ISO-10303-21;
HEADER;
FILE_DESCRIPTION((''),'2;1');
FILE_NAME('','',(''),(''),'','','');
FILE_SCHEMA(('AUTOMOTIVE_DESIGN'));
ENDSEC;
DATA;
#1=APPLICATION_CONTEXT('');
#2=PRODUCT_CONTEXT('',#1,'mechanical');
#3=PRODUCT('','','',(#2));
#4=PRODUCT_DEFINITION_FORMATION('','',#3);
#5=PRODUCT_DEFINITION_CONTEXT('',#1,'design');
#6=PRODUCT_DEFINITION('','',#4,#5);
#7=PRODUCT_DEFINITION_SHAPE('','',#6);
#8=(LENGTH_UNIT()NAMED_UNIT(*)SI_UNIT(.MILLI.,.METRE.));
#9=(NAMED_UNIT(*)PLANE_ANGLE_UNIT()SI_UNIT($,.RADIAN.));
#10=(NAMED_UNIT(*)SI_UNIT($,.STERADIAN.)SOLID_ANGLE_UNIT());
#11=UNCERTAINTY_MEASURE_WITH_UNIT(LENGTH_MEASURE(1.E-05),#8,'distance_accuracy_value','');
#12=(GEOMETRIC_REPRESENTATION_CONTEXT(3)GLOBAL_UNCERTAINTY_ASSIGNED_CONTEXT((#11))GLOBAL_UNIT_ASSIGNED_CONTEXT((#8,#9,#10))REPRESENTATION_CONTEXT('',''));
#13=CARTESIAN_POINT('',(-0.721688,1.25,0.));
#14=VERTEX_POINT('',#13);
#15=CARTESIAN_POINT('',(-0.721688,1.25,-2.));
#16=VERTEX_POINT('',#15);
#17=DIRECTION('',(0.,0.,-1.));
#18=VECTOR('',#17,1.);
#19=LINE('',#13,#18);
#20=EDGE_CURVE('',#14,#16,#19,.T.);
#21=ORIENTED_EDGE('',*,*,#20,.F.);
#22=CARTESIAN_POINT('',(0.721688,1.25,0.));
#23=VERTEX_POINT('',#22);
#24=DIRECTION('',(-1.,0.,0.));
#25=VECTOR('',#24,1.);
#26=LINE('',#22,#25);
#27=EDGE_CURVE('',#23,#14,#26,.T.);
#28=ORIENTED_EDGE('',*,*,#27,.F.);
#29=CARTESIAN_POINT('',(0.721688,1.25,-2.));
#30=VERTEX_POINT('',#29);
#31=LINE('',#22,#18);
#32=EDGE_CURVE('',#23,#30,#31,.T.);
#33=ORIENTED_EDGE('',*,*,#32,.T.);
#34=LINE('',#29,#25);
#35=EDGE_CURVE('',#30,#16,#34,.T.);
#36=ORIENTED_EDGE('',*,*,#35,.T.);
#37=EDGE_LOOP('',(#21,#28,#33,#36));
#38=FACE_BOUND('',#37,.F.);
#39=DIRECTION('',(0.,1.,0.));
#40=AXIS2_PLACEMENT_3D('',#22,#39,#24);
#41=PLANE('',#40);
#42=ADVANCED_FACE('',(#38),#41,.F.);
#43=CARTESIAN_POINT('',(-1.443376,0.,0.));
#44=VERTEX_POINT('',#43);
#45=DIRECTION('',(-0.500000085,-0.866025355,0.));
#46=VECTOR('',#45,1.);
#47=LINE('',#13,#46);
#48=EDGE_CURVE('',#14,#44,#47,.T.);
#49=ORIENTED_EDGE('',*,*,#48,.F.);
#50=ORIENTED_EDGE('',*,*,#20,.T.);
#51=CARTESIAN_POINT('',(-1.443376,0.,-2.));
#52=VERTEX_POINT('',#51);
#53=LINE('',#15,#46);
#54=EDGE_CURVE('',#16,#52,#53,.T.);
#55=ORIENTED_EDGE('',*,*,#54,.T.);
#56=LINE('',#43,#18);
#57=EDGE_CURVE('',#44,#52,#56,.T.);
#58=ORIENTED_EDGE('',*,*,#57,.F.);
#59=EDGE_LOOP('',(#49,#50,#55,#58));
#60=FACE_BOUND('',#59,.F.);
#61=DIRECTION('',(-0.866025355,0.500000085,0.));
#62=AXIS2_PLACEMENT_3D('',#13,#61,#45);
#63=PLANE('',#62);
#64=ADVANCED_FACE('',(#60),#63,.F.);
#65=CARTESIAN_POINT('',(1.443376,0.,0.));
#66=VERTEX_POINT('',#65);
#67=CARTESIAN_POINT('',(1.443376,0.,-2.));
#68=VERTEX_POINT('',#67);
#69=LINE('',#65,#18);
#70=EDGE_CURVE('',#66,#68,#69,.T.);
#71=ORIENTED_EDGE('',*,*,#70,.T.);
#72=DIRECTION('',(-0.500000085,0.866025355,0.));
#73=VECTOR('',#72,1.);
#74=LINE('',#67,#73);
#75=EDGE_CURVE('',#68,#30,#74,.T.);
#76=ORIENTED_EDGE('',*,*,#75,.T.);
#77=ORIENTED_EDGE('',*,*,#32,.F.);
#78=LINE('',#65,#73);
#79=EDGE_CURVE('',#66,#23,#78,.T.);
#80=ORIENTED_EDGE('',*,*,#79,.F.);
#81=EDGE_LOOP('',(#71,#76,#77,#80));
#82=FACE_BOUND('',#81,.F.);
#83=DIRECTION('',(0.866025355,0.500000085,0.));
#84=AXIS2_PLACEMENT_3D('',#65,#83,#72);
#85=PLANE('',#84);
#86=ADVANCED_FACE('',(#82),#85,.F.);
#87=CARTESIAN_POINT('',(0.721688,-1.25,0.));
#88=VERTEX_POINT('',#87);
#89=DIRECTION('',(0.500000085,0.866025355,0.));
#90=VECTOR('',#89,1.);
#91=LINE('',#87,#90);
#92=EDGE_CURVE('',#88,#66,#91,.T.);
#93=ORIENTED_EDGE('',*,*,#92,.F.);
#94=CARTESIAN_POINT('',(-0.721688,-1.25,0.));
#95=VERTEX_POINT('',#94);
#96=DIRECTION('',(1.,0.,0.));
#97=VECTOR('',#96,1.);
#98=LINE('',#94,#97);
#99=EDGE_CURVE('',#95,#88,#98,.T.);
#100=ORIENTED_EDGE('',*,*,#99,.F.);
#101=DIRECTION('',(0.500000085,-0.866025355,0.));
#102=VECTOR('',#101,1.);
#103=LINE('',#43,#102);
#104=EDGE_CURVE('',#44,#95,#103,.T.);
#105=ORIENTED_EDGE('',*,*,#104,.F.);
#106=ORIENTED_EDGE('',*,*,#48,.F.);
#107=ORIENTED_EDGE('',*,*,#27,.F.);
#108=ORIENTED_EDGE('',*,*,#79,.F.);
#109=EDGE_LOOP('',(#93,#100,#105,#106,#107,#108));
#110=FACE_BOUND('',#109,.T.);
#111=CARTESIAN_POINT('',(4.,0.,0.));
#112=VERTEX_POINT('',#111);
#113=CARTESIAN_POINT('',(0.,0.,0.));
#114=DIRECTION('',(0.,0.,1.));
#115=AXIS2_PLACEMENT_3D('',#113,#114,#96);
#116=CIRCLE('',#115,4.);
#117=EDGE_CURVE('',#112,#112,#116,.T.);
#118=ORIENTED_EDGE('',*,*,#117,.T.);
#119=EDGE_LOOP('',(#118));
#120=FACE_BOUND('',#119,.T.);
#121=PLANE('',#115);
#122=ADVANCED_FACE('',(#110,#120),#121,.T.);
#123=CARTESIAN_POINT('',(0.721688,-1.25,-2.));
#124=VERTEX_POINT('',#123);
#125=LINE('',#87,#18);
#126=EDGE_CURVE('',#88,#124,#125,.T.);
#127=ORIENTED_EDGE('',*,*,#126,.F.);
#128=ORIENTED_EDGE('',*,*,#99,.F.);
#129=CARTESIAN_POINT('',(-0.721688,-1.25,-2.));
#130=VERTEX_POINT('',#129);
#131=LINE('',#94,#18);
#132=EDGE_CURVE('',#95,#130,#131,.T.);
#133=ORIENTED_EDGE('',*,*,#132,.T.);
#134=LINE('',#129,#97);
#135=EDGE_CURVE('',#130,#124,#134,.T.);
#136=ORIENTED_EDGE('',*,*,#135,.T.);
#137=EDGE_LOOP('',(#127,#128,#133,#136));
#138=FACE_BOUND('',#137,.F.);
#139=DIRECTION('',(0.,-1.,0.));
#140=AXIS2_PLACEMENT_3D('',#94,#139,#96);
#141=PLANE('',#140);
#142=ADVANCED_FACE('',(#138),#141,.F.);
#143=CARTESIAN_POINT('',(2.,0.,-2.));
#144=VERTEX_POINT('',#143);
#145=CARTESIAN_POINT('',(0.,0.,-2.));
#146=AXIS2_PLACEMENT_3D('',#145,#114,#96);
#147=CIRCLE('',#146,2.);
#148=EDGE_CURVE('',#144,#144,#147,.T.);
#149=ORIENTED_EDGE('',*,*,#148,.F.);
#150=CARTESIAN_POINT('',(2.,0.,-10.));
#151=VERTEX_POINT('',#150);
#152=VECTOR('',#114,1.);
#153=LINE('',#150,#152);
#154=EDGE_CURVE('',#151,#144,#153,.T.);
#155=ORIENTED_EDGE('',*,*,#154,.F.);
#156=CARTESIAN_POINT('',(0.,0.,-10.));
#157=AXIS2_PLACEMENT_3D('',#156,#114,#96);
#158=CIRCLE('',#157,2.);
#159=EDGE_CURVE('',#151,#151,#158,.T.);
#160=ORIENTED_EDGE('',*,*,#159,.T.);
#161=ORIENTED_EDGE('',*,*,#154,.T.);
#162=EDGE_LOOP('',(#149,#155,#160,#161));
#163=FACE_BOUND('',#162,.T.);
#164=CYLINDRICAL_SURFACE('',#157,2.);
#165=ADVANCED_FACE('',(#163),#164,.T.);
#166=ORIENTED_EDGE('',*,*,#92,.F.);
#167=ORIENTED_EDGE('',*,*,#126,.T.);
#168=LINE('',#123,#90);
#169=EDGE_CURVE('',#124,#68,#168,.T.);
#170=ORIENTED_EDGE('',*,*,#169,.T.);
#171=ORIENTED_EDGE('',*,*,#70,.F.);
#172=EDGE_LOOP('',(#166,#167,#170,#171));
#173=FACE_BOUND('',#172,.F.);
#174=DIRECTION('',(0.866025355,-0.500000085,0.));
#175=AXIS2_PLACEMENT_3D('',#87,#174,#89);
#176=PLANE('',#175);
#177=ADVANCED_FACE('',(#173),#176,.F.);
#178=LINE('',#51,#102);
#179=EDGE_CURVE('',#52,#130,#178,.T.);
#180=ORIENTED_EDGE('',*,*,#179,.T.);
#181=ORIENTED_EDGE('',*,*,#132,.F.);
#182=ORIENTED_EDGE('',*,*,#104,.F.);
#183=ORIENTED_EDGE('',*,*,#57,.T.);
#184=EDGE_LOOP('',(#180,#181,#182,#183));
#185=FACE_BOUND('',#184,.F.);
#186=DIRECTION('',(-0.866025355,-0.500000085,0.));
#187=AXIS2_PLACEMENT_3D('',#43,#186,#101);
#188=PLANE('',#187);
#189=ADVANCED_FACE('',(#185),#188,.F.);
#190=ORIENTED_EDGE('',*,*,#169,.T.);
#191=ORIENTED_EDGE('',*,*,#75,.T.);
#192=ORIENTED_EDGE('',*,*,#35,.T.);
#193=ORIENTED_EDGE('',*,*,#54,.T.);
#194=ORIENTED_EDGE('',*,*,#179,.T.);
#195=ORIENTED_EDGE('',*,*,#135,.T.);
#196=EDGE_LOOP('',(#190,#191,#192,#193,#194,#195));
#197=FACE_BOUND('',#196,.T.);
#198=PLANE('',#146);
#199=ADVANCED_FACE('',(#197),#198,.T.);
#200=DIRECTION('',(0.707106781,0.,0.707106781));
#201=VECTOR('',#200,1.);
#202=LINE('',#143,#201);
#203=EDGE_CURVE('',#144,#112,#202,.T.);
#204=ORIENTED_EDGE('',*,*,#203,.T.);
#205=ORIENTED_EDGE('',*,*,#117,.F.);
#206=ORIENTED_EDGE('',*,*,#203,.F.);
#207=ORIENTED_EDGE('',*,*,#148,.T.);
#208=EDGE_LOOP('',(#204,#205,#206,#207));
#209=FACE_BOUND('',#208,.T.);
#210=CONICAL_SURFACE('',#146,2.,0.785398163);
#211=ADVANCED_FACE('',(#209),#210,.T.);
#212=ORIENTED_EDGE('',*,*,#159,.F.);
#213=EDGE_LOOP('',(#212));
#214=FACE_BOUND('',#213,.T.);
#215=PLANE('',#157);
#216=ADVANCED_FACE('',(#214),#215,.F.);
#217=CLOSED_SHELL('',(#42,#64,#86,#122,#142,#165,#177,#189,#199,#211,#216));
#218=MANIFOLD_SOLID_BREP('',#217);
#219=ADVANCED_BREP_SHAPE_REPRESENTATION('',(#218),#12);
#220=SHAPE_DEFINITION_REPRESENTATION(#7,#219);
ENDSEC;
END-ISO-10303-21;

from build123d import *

# Parameters (mm, degrees)
F3_DEPTH = 2


with BuildPart() as f1:
    # F0 (on Front) → F1 (revolve)
    with BuildSketch(Plane.XZ):
        Polygon((4, 0), (0, 0), (0, -10), (2, -10), (2, -2), align=None)
    revolve(axis=Axis((0, 0, -5), (0, 0, 1)))

    # F2 (on face) → F3 (cut)
    with BuildSketch(Plane.XY):
        Polygon((0.721688, 1.25), (-0.721688, 1.25), (-1.443376, 0), (-0.721688, -1.25), (0.721688, -1.25), (1.443376, 0), align=None)
    extrude(amount=-F3_DEPTH, mode=Mode.SUBTRACT)


solid = f1.part
